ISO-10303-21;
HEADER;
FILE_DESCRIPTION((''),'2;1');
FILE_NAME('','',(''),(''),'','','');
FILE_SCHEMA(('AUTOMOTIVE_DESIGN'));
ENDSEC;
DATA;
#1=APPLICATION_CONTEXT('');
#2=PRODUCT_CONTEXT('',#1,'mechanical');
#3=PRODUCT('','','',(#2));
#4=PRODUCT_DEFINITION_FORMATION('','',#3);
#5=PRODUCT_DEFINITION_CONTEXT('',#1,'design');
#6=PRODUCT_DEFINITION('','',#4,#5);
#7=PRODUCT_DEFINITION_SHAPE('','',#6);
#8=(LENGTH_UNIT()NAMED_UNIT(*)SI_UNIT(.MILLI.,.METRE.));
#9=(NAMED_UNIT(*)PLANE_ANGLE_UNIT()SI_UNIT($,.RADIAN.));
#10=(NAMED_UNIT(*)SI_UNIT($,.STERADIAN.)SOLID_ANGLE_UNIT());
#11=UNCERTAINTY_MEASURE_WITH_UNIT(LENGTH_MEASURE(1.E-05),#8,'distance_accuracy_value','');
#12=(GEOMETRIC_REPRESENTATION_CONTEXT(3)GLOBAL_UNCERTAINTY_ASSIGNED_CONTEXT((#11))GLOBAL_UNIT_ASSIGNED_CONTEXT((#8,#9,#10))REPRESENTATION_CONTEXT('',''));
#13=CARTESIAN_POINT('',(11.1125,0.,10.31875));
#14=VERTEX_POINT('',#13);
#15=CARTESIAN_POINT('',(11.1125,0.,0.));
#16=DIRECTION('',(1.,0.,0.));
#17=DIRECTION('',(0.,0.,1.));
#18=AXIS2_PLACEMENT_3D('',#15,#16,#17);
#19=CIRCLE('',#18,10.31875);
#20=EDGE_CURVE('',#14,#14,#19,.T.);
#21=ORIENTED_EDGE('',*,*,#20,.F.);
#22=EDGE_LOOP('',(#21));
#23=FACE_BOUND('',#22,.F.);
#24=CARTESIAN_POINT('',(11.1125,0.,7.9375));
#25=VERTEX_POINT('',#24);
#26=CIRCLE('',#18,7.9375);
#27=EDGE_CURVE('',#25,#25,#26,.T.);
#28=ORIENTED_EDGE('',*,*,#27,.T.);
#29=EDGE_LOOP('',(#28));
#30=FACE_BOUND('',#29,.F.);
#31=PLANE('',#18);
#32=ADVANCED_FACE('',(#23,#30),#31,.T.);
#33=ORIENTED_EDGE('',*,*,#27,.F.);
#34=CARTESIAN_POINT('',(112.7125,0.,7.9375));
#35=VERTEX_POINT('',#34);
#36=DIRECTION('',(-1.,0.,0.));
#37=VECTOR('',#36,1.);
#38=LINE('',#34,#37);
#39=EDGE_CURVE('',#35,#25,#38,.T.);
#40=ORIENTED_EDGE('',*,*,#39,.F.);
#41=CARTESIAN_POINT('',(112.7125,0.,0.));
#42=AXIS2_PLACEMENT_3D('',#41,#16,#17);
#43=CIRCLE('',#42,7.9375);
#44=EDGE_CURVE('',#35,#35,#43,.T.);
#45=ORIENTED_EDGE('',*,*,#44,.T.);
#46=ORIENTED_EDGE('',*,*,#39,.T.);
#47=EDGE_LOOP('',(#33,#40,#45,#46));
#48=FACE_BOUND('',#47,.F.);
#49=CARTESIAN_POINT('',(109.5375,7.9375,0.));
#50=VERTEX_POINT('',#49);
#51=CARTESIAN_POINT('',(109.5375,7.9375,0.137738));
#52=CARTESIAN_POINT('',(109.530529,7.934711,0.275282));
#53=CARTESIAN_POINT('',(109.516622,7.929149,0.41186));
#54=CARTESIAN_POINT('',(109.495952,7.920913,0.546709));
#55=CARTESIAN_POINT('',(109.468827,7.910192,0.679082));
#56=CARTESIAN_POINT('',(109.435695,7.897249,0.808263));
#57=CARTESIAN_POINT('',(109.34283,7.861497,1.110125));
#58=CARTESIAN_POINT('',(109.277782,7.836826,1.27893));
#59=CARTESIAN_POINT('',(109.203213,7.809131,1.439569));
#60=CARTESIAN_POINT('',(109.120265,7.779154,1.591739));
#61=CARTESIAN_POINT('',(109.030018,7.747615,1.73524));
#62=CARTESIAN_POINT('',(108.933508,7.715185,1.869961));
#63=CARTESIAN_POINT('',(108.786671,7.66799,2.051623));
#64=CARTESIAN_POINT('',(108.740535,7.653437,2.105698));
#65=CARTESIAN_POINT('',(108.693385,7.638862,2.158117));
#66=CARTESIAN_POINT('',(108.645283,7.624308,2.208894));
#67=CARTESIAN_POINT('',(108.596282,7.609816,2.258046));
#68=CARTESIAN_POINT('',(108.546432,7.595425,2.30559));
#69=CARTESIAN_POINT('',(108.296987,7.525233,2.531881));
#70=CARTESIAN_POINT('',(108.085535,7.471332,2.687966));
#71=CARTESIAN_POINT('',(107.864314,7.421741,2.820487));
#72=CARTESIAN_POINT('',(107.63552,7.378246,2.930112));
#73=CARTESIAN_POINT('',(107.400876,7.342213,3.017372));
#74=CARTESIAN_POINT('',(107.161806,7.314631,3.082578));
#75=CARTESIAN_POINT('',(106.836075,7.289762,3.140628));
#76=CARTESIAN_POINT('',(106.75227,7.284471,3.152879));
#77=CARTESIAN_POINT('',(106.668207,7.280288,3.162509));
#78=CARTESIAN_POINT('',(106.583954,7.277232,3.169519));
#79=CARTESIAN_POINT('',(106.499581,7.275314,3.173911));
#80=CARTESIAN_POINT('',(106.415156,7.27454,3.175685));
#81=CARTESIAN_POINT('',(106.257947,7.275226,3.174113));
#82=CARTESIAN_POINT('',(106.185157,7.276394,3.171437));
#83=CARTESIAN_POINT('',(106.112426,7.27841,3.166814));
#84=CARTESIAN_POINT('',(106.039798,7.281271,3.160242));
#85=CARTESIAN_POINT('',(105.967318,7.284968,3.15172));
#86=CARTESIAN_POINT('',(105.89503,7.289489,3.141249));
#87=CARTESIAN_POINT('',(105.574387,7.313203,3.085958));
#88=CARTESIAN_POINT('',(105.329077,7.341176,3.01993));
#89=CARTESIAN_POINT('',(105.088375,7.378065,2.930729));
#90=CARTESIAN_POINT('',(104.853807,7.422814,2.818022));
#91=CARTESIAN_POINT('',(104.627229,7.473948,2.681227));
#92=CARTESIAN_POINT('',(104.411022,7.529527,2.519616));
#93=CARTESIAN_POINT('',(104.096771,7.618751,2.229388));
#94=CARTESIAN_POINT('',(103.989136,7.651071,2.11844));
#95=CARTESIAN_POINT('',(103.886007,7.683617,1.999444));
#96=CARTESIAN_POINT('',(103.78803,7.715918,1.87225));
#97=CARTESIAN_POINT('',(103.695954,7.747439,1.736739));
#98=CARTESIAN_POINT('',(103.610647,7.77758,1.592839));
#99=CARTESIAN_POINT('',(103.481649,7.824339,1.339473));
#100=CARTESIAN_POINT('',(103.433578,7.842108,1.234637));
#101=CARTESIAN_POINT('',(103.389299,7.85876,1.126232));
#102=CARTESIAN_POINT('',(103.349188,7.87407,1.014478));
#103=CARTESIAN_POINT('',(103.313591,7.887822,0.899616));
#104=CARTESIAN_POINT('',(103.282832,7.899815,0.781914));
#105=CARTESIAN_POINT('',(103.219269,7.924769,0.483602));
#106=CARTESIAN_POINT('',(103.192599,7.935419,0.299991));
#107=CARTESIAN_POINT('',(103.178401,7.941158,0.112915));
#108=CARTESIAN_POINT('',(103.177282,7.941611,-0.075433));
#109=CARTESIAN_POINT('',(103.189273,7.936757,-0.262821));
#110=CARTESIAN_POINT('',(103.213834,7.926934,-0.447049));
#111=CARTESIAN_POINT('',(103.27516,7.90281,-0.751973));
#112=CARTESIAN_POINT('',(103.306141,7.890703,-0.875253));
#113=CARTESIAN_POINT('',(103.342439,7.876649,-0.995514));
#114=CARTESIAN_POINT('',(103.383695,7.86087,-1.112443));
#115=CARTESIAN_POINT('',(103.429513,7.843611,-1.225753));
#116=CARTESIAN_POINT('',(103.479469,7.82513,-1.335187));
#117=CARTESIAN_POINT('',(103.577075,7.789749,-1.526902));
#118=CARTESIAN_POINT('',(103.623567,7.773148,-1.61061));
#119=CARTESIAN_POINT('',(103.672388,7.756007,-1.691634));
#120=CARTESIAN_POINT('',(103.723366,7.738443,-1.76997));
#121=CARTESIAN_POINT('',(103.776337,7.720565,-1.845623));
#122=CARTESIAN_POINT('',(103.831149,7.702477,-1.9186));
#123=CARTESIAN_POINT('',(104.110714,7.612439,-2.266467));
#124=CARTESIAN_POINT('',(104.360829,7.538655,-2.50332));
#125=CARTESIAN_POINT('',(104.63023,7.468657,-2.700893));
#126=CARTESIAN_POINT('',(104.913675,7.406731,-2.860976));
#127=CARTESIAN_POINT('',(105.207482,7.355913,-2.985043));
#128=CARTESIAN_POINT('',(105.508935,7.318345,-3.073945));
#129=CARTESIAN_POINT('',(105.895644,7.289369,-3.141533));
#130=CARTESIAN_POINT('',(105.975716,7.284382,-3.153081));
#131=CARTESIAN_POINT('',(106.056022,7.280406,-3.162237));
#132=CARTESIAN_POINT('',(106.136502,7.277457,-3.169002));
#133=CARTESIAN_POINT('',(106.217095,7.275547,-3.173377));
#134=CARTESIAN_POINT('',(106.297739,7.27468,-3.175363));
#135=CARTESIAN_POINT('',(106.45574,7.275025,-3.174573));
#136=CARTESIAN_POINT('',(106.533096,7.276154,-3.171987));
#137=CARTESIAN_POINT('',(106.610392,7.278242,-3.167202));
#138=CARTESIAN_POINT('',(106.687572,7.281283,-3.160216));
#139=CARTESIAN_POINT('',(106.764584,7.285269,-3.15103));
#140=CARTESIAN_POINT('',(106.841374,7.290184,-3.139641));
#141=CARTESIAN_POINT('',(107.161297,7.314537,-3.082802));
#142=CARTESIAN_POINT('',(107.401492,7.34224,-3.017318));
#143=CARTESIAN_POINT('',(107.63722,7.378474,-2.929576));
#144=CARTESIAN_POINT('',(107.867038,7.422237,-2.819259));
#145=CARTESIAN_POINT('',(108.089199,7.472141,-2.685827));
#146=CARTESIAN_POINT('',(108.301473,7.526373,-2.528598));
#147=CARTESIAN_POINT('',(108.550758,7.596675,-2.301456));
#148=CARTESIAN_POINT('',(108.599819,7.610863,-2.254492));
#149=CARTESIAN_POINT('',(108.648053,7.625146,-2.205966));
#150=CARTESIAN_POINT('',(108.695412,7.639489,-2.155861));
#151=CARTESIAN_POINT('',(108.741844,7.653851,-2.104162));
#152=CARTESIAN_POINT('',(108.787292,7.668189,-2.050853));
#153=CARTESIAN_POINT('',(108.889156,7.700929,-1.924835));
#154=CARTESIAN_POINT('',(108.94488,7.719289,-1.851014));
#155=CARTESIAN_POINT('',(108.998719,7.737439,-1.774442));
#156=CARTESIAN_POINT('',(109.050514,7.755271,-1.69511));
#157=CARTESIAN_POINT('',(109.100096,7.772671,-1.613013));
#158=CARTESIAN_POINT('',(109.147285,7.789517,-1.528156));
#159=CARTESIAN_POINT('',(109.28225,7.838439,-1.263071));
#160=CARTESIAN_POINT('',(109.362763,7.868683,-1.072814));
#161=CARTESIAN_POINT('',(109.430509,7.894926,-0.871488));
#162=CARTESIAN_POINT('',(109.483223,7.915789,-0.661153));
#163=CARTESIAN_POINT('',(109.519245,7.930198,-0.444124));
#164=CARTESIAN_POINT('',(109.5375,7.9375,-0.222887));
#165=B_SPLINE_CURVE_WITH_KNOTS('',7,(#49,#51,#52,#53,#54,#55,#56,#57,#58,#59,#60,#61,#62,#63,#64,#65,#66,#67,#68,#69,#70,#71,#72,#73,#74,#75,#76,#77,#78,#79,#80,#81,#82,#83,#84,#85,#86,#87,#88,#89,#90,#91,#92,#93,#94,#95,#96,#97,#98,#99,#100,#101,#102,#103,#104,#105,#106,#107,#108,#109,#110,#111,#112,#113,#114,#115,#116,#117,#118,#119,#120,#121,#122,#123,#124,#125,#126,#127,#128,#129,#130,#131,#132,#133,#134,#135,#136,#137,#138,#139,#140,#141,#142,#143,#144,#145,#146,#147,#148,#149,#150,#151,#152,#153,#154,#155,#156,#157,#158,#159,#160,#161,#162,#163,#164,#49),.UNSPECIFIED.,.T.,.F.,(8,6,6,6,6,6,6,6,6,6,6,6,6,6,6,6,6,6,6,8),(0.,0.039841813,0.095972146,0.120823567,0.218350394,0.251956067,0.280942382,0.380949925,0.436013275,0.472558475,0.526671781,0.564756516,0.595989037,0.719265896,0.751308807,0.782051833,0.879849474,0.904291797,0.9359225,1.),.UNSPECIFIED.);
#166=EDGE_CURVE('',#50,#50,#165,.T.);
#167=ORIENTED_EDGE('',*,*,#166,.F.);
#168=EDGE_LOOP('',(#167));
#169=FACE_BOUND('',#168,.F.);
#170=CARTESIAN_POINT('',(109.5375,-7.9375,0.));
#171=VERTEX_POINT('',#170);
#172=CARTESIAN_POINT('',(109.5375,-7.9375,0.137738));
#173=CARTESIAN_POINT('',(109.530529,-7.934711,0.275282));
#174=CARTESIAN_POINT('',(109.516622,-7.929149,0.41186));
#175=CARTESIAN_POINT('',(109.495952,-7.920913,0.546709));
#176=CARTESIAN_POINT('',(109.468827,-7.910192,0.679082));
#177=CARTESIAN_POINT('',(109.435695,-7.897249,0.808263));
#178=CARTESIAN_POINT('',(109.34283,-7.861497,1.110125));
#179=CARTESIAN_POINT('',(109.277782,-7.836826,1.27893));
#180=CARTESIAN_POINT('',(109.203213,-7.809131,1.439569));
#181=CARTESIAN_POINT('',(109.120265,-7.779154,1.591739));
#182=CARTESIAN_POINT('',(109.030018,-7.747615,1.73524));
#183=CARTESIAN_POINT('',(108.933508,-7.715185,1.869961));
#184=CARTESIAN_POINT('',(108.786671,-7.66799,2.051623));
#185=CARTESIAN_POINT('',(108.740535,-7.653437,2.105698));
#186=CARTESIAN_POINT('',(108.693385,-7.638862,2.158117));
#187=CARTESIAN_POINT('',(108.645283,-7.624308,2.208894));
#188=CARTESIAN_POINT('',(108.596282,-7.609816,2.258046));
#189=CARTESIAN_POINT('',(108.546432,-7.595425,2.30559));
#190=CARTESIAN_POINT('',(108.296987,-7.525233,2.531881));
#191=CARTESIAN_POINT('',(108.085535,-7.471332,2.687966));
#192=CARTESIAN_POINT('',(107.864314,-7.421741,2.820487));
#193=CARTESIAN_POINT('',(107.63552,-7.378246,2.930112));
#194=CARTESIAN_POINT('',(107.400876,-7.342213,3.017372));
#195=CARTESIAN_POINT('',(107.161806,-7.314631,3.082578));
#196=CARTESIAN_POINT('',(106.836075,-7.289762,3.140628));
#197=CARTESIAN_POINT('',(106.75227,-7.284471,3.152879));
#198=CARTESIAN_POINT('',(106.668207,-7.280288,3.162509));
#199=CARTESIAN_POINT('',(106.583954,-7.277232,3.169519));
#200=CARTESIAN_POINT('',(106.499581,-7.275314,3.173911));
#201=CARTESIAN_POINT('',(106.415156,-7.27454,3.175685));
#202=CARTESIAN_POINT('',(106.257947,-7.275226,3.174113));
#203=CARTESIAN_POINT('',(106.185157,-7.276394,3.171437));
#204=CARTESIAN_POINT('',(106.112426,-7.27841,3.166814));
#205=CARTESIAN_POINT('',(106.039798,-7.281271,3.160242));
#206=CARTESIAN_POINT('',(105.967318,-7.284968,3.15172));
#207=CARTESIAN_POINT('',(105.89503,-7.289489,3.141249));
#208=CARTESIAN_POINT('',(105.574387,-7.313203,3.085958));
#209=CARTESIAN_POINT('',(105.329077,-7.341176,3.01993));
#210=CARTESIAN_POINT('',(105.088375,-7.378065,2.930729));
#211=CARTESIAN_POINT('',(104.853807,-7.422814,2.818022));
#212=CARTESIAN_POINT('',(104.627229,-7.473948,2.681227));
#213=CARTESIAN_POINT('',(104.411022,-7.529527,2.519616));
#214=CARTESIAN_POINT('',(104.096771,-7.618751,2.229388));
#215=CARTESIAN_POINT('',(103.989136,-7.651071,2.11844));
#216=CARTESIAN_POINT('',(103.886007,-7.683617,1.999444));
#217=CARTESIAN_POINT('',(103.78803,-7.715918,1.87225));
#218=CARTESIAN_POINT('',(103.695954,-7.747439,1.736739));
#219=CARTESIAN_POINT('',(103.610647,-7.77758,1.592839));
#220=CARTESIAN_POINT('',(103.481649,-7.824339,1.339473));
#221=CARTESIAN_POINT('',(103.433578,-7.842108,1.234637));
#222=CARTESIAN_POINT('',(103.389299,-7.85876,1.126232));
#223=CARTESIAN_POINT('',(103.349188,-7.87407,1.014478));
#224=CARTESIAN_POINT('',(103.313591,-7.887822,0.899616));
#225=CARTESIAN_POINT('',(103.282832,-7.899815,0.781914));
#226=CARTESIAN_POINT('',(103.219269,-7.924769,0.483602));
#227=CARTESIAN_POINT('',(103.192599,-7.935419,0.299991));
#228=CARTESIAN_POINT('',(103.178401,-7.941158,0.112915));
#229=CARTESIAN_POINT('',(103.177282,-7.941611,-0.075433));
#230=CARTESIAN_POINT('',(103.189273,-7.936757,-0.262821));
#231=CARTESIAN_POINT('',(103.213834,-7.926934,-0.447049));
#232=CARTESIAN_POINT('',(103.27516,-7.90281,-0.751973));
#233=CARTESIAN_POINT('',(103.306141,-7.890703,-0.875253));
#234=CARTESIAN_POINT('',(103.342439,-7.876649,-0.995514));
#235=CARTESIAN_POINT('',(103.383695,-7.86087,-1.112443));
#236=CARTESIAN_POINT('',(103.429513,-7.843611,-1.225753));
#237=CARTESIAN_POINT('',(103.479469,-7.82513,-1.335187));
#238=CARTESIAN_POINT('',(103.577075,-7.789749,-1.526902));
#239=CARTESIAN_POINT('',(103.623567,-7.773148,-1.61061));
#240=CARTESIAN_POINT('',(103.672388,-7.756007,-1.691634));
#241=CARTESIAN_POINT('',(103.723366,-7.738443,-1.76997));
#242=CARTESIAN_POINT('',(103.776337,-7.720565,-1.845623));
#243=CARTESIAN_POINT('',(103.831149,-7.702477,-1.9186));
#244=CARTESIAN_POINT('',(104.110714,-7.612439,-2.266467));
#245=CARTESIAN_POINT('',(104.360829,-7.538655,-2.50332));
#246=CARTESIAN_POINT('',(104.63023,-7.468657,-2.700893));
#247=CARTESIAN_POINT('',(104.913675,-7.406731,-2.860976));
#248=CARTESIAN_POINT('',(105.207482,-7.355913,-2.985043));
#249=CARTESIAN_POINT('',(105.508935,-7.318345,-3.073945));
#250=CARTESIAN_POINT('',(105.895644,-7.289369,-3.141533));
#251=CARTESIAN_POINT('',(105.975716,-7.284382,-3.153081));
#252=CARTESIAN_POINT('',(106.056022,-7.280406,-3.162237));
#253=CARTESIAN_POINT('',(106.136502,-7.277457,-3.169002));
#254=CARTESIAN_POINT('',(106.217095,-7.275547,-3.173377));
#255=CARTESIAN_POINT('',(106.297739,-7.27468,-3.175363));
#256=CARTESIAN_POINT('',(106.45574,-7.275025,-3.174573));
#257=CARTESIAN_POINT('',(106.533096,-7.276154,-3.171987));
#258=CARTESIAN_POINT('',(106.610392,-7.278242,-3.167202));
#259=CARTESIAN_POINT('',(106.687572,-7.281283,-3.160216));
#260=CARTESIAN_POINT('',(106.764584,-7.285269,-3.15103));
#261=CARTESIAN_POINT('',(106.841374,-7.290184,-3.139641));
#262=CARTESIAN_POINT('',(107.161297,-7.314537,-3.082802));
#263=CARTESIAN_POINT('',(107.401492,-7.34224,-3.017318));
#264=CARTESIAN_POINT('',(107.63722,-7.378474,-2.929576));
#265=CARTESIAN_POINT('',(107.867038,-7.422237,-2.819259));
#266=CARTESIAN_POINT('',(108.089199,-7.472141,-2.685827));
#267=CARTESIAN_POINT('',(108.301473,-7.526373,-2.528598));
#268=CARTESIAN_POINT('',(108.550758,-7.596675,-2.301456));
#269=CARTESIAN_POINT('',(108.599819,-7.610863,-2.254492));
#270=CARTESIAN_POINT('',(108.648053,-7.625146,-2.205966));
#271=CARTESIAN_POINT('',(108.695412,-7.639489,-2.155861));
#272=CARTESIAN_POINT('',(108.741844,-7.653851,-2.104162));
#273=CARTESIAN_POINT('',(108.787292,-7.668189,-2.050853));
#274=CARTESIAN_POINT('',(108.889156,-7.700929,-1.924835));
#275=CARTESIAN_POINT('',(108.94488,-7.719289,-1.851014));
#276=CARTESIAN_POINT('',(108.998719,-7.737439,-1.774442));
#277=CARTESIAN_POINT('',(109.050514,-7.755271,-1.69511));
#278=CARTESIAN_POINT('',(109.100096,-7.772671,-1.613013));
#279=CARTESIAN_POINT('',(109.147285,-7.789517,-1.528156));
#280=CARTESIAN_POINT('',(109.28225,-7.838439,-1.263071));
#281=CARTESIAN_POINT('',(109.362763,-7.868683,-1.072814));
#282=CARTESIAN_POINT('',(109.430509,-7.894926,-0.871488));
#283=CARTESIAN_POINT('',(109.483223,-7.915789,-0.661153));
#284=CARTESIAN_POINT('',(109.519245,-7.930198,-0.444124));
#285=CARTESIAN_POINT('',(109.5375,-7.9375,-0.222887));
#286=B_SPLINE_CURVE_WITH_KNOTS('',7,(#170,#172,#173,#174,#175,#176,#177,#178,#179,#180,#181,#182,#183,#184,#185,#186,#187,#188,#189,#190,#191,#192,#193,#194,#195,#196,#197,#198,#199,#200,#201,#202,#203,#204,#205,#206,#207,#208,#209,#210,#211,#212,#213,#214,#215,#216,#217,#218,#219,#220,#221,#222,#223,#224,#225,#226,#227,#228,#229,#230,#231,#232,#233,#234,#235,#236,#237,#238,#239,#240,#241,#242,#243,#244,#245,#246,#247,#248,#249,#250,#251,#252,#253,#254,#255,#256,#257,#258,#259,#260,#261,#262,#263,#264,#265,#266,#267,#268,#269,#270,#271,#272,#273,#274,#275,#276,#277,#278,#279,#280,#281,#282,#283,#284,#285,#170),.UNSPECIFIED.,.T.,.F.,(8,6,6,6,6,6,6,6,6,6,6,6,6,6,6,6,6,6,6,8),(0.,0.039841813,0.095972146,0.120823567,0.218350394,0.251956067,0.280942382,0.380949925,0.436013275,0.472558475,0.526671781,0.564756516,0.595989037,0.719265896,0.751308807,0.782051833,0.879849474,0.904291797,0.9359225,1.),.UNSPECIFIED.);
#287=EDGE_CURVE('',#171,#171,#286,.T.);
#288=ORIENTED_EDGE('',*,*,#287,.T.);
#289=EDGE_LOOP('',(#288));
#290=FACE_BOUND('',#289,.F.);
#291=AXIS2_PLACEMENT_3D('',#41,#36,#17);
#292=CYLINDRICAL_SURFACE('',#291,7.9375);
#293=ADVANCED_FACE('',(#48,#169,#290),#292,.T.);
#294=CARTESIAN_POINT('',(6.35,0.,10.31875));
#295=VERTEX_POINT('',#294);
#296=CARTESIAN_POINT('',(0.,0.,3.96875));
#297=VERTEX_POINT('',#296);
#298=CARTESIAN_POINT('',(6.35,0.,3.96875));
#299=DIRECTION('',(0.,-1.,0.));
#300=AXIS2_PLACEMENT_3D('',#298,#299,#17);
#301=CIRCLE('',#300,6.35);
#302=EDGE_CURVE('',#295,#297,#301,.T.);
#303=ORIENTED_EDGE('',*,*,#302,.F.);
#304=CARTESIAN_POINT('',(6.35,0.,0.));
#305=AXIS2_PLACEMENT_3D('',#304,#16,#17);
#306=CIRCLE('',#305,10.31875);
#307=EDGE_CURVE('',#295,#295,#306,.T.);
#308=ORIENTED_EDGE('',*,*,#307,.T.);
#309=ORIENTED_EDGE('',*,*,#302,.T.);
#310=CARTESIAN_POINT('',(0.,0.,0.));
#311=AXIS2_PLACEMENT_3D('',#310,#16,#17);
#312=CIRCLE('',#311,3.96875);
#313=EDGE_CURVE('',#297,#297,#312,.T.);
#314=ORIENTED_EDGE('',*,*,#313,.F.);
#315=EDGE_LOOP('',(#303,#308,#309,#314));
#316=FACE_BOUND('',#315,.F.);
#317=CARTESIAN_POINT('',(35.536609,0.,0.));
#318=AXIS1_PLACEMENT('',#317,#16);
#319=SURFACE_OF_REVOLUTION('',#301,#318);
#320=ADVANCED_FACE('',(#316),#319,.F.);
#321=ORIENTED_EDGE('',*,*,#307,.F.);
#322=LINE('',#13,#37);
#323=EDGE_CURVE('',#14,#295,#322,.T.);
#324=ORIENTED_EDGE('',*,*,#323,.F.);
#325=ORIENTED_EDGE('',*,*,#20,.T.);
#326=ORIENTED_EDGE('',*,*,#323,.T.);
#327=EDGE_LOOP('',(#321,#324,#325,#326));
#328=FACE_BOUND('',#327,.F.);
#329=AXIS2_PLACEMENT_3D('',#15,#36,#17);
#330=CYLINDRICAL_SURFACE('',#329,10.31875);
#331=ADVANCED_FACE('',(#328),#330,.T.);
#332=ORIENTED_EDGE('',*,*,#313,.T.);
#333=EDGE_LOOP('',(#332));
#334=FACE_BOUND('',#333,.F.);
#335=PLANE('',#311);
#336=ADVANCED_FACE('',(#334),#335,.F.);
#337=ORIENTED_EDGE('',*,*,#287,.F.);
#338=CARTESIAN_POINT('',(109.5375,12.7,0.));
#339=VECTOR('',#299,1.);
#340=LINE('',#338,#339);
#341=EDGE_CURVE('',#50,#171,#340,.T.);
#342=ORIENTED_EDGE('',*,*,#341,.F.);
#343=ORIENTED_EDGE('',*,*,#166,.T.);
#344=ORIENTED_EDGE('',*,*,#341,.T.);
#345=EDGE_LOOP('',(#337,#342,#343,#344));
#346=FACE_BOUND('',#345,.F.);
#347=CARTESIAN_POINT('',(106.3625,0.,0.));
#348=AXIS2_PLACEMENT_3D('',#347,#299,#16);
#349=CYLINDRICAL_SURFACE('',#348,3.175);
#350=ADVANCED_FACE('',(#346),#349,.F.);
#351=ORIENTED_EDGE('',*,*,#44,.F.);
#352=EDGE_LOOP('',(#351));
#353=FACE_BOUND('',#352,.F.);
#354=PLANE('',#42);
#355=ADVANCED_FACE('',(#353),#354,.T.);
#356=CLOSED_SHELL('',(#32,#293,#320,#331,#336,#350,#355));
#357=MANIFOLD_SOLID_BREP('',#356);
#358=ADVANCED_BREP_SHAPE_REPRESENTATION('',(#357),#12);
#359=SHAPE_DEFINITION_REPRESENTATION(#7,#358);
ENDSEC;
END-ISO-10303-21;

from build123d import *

# Parameters (mm, degrees)
F2_R     = 3.175
F3_DEPTH = 12.7


with BuildPart() as f1:
    # F0 (on Front) → F1 (revolve)
    with BuildSketch(Plane.XZ):
        with BuildLine():
            ThreePointArc((6.35, 10.31875), (1.8598719395, 8.4588780605), (0, 3.96875))
            Line((0, 3.96875), (0, 0))
            Line((0, 0), (112.7125, 0))
            Line((112.7125, 0), (112.7125, 7.9375))
            Line((112.7125, 7.9375), (11.1125, 7.9375))
            Line((11.1125, 7.9375), (11.1125, 10.31875))
            Line((11.1125, 10.31875), (6.35, 10.31875))
        make_face()
    revolve(axis=Axis((35.5366091529, 0, 0), (1, 0, 0)))

    # F2 (on Front) → F3 (cut, symmetric)
    with BuildSketch(Plane.XZ):
        with Locations((106.3625, 0)):
            Circle(F2_R)
    extrude(amount=F3_DEPTH, both=True, mode=Mode.SUBTRACT)


solid = f1.part
